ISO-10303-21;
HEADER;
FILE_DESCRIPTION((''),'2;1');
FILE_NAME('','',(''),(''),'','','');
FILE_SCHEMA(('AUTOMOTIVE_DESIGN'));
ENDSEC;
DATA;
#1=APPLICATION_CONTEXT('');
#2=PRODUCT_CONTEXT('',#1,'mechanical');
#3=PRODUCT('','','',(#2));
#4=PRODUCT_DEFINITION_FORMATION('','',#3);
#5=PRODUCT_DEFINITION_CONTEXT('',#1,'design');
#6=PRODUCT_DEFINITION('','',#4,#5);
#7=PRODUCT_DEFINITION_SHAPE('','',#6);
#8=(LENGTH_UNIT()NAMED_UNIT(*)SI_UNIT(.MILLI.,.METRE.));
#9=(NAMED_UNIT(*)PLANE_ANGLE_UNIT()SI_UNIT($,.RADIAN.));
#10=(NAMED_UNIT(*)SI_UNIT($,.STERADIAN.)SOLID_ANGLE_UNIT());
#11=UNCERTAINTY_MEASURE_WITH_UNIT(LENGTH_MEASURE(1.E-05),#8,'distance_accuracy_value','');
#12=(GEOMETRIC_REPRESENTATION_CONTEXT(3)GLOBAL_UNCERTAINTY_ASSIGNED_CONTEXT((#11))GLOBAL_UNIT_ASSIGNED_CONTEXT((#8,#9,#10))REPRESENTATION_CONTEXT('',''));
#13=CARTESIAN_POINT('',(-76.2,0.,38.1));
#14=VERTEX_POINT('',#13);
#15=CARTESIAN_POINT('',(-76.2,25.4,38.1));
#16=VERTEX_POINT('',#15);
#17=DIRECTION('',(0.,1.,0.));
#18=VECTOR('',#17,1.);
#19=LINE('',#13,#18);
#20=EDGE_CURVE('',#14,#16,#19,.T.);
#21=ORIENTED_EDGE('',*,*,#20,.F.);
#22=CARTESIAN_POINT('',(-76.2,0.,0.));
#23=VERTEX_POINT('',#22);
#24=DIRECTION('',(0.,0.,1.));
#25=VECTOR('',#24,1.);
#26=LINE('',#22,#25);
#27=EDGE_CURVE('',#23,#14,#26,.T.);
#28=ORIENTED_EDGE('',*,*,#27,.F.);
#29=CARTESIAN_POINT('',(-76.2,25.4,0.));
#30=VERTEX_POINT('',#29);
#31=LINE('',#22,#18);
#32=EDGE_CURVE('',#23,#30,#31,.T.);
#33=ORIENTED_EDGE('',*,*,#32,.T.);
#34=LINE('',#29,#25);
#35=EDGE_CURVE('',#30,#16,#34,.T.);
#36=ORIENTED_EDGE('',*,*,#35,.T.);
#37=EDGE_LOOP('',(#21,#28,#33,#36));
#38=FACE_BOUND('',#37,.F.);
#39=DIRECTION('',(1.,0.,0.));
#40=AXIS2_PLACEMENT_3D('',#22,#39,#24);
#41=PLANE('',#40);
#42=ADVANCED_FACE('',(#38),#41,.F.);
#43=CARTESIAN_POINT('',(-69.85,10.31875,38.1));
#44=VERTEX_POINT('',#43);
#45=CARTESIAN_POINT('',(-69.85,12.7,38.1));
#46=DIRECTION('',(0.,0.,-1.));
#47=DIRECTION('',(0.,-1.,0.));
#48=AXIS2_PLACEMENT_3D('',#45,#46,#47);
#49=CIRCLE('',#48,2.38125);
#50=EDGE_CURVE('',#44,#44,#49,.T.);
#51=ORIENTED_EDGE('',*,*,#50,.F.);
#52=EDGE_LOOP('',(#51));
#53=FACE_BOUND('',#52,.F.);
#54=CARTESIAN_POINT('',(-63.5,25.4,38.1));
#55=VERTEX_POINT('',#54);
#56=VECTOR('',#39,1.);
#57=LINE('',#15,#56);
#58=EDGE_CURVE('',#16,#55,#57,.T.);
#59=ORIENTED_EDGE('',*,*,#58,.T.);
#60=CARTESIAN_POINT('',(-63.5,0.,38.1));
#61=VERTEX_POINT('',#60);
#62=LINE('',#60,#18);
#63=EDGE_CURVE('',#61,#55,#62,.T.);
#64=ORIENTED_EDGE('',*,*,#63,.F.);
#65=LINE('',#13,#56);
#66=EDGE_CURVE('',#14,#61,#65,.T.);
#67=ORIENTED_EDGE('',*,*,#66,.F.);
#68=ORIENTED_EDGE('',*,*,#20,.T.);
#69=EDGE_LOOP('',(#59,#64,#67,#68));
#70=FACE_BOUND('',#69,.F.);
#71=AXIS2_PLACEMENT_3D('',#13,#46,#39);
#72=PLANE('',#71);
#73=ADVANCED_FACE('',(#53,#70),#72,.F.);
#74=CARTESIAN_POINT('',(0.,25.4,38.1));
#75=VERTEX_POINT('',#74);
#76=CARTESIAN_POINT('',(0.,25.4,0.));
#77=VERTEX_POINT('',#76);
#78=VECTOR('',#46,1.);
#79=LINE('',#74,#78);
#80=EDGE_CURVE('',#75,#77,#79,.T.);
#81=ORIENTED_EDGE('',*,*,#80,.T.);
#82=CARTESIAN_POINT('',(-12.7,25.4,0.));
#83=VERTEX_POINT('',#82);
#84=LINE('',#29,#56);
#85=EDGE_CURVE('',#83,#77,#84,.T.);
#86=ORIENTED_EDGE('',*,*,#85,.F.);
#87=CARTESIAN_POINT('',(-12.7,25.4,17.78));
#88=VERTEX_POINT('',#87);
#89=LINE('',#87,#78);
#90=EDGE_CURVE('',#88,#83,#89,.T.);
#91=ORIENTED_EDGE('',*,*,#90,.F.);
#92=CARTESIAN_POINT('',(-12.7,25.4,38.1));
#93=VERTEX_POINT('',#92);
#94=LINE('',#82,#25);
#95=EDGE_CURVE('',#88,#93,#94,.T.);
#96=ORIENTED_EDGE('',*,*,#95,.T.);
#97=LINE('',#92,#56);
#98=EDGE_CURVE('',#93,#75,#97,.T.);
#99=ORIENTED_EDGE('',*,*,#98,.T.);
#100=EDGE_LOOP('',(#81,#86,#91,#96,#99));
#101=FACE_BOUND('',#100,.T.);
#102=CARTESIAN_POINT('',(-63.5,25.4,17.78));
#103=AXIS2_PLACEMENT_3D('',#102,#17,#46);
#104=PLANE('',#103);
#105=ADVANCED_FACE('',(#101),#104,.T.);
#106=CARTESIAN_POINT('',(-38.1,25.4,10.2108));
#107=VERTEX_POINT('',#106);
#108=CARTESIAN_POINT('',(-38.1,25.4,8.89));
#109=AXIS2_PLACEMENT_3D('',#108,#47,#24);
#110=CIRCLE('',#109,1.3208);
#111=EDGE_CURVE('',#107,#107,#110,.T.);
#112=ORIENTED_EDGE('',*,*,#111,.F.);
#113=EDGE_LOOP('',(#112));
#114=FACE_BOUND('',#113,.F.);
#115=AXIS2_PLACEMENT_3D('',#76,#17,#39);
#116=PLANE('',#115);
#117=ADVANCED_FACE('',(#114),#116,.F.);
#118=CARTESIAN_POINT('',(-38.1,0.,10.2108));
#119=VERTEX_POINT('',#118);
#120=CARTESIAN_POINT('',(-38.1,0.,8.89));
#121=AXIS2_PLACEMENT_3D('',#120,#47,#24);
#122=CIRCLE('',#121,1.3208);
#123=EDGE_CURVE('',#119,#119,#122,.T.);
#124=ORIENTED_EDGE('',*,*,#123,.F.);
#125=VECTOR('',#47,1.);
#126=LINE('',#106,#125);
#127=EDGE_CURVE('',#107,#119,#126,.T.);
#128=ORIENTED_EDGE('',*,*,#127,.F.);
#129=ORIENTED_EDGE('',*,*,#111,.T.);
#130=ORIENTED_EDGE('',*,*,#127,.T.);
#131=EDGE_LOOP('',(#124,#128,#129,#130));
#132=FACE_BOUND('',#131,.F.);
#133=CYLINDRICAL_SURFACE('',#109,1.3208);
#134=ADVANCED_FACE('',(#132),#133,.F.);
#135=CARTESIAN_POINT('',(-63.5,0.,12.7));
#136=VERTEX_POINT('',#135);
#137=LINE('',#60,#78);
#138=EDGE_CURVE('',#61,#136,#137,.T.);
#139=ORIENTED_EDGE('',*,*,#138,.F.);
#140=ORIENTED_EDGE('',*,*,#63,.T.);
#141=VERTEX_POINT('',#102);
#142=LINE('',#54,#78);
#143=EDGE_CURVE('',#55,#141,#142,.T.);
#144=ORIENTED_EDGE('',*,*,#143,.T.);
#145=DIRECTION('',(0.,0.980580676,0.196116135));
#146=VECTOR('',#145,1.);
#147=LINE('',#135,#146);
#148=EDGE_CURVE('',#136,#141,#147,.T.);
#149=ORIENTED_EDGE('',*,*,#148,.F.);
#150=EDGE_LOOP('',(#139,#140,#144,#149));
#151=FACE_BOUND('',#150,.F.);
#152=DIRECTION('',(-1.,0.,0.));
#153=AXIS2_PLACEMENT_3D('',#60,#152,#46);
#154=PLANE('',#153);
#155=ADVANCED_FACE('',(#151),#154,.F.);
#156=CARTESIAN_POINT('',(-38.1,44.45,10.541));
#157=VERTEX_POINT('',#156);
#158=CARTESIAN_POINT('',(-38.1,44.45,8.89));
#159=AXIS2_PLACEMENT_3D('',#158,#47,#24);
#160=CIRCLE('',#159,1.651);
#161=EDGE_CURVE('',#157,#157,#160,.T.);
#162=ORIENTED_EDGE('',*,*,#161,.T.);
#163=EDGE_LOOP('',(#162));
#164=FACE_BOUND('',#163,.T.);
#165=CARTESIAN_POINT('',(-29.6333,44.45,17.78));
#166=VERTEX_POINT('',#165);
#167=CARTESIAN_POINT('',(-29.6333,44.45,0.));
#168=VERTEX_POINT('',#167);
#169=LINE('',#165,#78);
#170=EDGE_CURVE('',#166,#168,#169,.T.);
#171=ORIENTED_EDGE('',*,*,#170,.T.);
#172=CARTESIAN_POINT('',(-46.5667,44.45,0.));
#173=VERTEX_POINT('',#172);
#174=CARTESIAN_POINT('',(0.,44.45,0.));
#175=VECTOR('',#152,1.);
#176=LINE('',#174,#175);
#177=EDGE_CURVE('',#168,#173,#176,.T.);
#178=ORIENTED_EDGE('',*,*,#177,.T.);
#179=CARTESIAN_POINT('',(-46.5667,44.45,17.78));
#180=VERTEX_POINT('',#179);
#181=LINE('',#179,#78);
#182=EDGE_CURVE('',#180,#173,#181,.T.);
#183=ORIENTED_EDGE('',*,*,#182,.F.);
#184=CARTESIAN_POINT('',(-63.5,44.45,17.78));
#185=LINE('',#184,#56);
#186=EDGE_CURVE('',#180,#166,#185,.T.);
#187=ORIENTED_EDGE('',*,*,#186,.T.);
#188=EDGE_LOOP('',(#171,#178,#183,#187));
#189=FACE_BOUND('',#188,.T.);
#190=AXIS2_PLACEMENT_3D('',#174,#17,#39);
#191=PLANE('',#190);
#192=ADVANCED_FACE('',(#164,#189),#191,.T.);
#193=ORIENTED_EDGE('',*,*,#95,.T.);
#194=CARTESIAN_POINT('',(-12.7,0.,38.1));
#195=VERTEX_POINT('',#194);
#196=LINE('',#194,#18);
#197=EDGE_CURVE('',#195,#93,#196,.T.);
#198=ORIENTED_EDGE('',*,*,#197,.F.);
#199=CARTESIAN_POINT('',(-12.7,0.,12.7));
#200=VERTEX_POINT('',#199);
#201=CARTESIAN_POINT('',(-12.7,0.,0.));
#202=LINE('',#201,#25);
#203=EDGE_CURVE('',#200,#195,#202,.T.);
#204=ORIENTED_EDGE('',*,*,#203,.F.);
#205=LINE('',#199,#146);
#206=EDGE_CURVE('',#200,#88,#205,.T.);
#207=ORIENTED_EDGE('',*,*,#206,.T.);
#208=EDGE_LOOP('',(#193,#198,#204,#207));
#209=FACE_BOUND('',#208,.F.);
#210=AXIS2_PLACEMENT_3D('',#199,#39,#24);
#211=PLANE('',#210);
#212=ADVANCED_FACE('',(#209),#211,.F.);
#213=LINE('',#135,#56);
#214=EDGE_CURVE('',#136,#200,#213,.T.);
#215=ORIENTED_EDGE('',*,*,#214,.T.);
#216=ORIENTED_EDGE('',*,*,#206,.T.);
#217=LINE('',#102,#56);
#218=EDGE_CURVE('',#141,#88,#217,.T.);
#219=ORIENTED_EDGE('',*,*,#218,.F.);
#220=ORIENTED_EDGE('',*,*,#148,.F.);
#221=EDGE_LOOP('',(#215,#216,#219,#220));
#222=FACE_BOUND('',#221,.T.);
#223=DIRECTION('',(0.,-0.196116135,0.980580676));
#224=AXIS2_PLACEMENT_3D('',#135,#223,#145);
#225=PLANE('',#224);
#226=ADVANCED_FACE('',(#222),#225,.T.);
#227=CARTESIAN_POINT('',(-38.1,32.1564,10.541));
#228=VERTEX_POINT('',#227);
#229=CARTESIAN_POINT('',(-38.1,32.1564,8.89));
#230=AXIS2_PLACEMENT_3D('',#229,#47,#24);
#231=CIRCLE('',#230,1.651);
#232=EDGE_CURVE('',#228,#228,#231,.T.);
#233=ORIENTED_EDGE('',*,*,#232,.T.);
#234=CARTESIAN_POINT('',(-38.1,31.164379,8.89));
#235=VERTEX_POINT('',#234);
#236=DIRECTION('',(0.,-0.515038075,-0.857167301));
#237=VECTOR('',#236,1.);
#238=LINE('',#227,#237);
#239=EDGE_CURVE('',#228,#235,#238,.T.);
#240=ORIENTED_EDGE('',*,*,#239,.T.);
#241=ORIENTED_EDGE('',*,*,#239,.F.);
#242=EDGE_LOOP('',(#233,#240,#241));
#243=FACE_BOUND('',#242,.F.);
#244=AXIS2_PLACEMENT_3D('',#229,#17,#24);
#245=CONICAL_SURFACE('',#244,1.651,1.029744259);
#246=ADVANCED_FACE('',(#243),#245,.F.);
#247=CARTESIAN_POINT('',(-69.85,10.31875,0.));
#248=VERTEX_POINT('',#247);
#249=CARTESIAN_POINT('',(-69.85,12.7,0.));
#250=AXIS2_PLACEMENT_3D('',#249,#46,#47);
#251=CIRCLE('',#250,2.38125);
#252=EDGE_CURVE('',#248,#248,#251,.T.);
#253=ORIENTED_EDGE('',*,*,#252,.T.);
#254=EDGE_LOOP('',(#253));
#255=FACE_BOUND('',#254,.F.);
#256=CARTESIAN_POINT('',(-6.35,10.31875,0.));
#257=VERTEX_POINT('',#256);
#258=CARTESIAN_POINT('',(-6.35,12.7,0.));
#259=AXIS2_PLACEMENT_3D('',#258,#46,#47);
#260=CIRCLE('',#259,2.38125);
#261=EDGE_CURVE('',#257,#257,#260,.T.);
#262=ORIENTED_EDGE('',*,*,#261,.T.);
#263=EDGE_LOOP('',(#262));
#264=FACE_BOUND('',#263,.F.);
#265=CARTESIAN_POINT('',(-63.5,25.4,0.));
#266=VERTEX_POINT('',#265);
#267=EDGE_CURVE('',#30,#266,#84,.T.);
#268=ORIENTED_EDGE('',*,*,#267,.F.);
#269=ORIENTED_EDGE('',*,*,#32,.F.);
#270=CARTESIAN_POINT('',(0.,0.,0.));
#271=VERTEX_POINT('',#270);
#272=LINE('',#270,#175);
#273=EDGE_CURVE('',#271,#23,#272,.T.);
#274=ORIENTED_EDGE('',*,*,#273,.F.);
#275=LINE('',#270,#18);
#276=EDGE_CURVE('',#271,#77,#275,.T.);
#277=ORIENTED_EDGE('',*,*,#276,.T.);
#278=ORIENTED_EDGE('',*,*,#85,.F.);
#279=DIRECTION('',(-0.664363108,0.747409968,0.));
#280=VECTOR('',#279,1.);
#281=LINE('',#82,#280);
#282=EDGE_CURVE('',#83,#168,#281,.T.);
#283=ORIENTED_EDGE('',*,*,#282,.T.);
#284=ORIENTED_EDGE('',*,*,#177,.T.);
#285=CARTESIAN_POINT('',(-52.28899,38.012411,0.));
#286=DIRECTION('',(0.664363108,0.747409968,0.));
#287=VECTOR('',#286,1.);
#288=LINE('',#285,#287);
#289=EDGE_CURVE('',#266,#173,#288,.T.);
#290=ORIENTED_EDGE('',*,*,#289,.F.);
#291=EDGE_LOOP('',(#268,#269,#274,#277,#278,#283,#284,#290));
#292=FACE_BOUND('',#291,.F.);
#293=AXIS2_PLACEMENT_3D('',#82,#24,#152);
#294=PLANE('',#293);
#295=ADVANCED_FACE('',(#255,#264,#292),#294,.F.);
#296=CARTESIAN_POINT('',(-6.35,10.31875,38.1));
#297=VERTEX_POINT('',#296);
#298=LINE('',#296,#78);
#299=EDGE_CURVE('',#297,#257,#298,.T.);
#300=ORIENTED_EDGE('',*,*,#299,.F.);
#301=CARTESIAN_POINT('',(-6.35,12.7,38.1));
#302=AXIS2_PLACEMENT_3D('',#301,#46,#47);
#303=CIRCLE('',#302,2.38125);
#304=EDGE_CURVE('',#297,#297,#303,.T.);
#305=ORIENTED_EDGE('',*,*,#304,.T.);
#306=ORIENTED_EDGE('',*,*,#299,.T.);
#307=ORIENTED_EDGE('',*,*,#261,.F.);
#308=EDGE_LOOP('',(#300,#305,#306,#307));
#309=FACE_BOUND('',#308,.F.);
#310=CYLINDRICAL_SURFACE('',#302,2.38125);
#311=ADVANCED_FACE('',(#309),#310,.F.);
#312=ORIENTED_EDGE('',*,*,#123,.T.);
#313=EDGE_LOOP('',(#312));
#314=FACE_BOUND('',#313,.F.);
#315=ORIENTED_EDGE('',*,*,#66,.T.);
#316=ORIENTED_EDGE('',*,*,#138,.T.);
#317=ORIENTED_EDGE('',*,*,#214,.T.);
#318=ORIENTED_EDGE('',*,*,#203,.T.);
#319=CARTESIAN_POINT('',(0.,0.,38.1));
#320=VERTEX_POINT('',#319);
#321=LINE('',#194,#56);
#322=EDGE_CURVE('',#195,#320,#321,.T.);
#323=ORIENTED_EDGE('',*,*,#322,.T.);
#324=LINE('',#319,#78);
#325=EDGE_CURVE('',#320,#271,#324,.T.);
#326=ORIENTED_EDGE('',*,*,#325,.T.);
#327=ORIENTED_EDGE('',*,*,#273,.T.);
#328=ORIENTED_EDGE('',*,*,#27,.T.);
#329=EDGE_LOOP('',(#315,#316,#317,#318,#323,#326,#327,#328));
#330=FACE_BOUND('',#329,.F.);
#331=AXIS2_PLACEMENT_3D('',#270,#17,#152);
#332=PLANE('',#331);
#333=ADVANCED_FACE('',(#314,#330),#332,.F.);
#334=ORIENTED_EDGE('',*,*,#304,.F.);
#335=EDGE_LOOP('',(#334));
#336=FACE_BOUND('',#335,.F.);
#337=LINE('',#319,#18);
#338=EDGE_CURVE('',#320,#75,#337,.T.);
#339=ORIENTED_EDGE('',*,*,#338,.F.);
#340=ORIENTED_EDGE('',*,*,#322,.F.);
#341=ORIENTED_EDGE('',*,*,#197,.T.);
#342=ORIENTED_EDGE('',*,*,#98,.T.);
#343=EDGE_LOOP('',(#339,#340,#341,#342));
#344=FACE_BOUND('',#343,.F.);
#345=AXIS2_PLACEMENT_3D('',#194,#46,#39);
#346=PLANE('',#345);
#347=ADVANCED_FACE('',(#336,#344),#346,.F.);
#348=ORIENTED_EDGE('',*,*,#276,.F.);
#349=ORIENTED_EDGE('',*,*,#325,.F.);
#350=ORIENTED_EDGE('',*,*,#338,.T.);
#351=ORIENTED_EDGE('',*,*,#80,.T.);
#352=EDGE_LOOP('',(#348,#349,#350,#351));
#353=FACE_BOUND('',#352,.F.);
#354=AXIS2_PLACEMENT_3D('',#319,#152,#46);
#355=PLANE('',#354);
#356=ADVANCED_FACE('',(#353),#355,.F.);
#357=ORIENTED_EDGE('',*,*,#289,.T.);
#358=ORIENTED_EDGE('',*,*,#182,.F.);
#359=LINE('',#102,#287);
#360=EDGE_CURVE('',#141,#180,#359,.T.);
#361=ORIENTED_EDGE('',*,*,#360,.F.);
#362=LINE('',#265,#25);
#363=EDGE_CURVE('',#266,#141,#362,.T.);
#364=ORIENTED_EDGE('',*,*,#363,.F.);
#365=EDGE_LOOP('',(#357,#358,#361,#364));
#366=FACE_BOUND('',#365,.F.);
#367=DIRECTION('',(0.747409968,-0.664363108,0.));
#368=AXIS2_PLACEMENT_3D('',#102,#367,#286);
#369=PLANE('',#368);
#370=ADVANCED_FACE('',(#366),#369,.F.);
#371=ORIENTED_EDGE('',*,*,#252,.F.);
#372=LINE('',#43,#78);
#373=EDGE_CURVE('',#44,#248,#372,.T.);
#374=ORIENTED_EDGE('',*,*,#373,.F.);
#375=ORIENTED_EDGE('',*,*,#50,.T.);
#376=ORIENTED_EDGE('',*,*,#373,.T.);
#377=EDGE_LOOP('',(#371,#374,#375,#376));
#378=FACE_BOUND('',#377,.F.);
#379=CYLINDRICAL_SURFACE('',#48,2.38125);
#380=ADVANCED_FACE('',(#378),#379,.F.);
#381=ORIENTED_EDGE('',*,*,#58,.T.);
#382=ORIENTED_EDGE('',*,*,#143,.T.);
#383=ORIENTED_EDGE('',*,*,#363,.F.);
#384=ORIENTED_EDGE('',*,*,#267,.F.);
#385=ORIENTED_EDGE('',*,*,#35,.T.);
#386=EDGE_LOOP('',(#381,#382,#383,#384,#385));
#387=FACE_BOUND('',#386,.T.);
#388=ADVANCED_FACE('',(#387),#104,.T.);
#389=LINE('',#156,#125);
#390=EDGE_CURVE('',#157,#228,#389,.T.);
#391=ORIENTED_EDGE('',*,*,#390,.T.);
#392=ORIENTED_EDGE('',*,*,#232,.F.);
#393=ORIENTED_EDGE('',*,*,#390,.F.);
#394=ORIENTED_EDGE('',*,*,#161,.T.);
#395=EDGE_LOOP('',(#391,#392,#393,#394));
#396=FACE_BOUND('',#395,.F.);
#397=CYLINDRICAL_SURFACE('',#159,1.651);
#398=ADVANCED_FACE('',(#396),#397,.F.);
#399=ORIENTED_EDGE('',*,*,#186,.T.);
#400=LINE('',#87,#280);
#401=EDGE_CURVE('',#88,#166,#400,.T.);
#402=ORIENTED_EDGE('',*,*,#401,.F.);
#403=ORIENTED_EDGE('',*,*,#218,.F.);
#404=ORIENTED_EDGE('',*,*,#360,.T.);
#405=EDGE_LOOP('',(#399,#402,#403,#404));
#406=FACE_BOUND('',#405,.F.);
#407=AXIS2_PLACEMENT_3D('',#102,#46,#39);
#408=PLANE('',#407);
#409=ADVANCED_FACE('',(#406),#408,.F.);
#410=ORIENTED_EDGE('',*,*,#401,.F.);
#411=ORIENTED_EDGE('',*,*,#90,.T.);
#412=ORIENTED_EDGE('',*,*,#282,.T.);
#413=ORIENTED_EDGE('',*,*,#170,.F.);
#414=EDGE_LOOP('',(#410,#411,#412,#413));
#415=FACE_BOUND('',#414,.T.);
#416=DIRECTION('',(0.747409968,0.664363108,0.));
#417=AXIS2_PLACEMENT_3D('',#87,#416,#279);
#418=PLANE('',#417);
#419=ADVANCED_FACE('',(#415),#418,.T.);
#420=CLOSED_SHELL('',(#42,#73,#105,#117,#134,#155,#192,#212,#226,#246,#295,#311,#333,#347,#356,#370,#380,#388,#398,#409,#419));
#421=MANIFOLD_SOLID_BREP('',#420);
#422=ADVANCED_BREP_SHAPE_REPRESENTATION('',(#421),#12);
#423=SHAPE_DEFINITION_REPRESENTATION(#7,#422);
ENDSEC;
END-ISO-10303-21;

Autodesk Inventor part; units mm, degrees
ref_plane "YZ Plane" through (0, 0, 0) normal (1, 0, 0) x (0, 1, 0)
ref_plane "XZ Plane" through (0, 0, 0) normal (0, 1, 0) x (-1, 0, 0)
ref_plane "XY Plane" through (0, 0, 0) normal (0, 0, 1) x (1, 0, 0)
sketch "Sketch1" plane through (0, 0, 0) normal (0, 1, 0) x (-1, 0, 0)
  line L0 (0, 0) -> (12.7, 0)
  line L1 (12.7, 0) -> (12.7, 38.1)
  line L2 (12.7, 38.1) -> (0, 38.1)
  line L3 (0, 38.1) -> (0, 0)
  line L4 (12.7, 0) -> (63.5, 0)
  line L5 (63.5, 0) -> (63.5, 12.7)
  line L6 (63.5, 12.7) -> (12.7, 12.7)
  line L7 (12.7, 12.7) -> (12.7, 0)
  line L8 (63.5, 0) -> (76.2, 0)
  line L9 (76.2, 0) -> (76.2, 38.1)
  line L10 (76.2, 38.1) -> (63.5, 38.1)
  line L11 (63.5, 38.1) -> (63.5, 0)
  dimension "d0" = 38.1
  dimension "d1" = 38.1
  dimension "d2" = 12.7
  dimension "d3" = 12.7
  dimension "d5" = 50.8
  dimension "d6" = 12.7
extrude "Extrusion1" add sketch "Sketch1" along normal blind 25.4
sketch "Sketch2" plane through (-63.5, 0, 38.1) normal (1, 0, 0) x (0, 0, -1)
  line L0 (25.4, 0) -> (25.4, 25.4) projected
  line L1 (25.4, 0) -> (20.32, 25.4)
  line L2 (0, 25.4) -> (25.4, 25.4) projected
  point P0 (38.1, 0)
  dimension "d9" = 5.08
extrude "Extrusion2" add sketch "Sketch2" along normal blind 50.8
sketch "Sketch3" plane through (-76.2, 0, 38.1) normal (0, 0, 1) x (1, 0, 0)
  line L0 (0, 25.4) -> (12.7, 25.4) projected
  line L1 (0, 0) -> (0, 25.4) projected
  line L2 (63.5, 25.4) -> (76.2, 25.4) projected
  line L3 (76.2, 0) -> (76.2, 25.4) projected
  point P0 (6.35, 12.7)
  point P1 (69.85, 12.7)
  dimension "d12" = 12.7
  dimension "d13" = 25.4
  dimension "d14" = 6.35
  dimension "d15" = 12.7
  dimension "d16" = 12.7
  dimension "d17" = 25.4
  dimension "d18" = 12.7
  dimension "d19" = 6.35
hole "Hole1" at (-69.85, 12.7, 38.1) at (-6.35, 12.7, 38.1) direction (0, 0, -1) diameter 4.7625 end through all
sketch "Sketch4" plane through (0, 25.4, 0) normal (0, 1, 0) x (1, 0, 0)
  line L0 (0, 0) -> (-76.2, 0) projected
  line L1 (0, -38.1) -> (0, 0) projected
  line L2 (-12.7, -17.78) -> (-12.7, -38.1) projected
  point P0 (-38.1, -8.89)
  dimension "d27" = 38.1
  dimension "d28" = 20.32
  dimension "d29" = 76.2
  dimension "d30" = 38.1
  dimension "d31" = 8.89
hole "Hole2" at (-38.1, 25.4, 8.89) direction (0, -1, 0) diameter 2.6416 end through all thread size "6-32 UNC" class "2B" standard "ANSI Unified Screw Threads"
sketch "Sketch5" plane through (0, 25.4, 0) normal (0, 1, 0) x (1, 0, 0)
  line L0 (-63.5, -17.78) -> (-12.7, -17.78) projected
  line L1 (0, 0) -> (-76.2, 0) projected
  line L2 (-63.5, -17.78) -> (-12.7, -17.78)
  line L3 (-12.7, -17.78) -> (-12.7, 0)
  line L4 (-12.7, 0) -> (-63.5, 0)
  line L5 (-63.5, 0) -> (-63.5, -17.78)
  line L6 (-12.7, -38.1) -> (0, -38.1) projected
  line L7 (0, -38.1) -> (0, 0) projected
  dimension "d39" = 12.7
  dimension "d40" = 12.7
extrude "Extrusion3" add sketch "Sketch5" along normal blind 19.05
sketch "Sketch6" plane through (-63.5, 25.4, 17.78) normal (0, 0, 1) x (1, 0, 0)
  line L0 (0, 0) -> (50.8, 0) projected
  line L1 (0, 0) -> (16.9333, 19.05)
  line L2 (50.8, 19.05) -> (0, 19.05) projected
  line L3 (63.5, 0) -> (50.8, 0) projected
  line L4 (50.8, 0) -> (33.8667, 19.05)
  line L5 (0, 0) -> (0, 19.05) projected
  line L6 (0, 0) -> (50.8, 0) projected
  line L7 (50.8, 0) -> (50.8, 19.05) projected
  line L8 (0, 19.05) -> (50.8, 19.05) projected
  line L9 (0, 0) -> (0, 19.05) projected
  point P0 (63.5, -25.4)
  dimension "d43" = 50.8
  dimension "d44" = 16.9333
  dimension "d45" = 16.9333
extrude "Extrusion4" cut sketch "Sketch6" against normal blind 19.05 contours L5 L2 L1 | L4 L2 L7
sketch "Sketch7" plane through (0, 44.45, 0) normal (0, 1, 0) x (1, 0, 0)
  circle A0 centre (-38.1, -8.89) radius 1.3208 projected
  point P0 (0, 0)
hole "Hole3" at (-38.1, 44.45, 8.89) direction (0, -1, 0) diameter 3.302 depth 12.2936 tip angle 118 thread size "8-32 UNC" class "2B" standard "ANSI Unified Screw Threads"
equation "\"d1\" = d0"
equation "\"d3\" = d2"
equation "\"d14\" = 0.5 * d12"
equation "\"d15\" = 0.5 * d13"
equation "\"d18\" = 0.5 * d17"
equation "\"d19\" = 0.5 * d16"
equation "\"d30\" = 0.5 * d29"
equation "\"d31\" = -0.5 * d28 + 0.5 * d27"
equation "\"d40\" = d39"
equation "\"d44\" = 0.333333 * d43"
equation "\"d45\" = 0.333333 * d43"
properties part number "sliding piece for grabber"
